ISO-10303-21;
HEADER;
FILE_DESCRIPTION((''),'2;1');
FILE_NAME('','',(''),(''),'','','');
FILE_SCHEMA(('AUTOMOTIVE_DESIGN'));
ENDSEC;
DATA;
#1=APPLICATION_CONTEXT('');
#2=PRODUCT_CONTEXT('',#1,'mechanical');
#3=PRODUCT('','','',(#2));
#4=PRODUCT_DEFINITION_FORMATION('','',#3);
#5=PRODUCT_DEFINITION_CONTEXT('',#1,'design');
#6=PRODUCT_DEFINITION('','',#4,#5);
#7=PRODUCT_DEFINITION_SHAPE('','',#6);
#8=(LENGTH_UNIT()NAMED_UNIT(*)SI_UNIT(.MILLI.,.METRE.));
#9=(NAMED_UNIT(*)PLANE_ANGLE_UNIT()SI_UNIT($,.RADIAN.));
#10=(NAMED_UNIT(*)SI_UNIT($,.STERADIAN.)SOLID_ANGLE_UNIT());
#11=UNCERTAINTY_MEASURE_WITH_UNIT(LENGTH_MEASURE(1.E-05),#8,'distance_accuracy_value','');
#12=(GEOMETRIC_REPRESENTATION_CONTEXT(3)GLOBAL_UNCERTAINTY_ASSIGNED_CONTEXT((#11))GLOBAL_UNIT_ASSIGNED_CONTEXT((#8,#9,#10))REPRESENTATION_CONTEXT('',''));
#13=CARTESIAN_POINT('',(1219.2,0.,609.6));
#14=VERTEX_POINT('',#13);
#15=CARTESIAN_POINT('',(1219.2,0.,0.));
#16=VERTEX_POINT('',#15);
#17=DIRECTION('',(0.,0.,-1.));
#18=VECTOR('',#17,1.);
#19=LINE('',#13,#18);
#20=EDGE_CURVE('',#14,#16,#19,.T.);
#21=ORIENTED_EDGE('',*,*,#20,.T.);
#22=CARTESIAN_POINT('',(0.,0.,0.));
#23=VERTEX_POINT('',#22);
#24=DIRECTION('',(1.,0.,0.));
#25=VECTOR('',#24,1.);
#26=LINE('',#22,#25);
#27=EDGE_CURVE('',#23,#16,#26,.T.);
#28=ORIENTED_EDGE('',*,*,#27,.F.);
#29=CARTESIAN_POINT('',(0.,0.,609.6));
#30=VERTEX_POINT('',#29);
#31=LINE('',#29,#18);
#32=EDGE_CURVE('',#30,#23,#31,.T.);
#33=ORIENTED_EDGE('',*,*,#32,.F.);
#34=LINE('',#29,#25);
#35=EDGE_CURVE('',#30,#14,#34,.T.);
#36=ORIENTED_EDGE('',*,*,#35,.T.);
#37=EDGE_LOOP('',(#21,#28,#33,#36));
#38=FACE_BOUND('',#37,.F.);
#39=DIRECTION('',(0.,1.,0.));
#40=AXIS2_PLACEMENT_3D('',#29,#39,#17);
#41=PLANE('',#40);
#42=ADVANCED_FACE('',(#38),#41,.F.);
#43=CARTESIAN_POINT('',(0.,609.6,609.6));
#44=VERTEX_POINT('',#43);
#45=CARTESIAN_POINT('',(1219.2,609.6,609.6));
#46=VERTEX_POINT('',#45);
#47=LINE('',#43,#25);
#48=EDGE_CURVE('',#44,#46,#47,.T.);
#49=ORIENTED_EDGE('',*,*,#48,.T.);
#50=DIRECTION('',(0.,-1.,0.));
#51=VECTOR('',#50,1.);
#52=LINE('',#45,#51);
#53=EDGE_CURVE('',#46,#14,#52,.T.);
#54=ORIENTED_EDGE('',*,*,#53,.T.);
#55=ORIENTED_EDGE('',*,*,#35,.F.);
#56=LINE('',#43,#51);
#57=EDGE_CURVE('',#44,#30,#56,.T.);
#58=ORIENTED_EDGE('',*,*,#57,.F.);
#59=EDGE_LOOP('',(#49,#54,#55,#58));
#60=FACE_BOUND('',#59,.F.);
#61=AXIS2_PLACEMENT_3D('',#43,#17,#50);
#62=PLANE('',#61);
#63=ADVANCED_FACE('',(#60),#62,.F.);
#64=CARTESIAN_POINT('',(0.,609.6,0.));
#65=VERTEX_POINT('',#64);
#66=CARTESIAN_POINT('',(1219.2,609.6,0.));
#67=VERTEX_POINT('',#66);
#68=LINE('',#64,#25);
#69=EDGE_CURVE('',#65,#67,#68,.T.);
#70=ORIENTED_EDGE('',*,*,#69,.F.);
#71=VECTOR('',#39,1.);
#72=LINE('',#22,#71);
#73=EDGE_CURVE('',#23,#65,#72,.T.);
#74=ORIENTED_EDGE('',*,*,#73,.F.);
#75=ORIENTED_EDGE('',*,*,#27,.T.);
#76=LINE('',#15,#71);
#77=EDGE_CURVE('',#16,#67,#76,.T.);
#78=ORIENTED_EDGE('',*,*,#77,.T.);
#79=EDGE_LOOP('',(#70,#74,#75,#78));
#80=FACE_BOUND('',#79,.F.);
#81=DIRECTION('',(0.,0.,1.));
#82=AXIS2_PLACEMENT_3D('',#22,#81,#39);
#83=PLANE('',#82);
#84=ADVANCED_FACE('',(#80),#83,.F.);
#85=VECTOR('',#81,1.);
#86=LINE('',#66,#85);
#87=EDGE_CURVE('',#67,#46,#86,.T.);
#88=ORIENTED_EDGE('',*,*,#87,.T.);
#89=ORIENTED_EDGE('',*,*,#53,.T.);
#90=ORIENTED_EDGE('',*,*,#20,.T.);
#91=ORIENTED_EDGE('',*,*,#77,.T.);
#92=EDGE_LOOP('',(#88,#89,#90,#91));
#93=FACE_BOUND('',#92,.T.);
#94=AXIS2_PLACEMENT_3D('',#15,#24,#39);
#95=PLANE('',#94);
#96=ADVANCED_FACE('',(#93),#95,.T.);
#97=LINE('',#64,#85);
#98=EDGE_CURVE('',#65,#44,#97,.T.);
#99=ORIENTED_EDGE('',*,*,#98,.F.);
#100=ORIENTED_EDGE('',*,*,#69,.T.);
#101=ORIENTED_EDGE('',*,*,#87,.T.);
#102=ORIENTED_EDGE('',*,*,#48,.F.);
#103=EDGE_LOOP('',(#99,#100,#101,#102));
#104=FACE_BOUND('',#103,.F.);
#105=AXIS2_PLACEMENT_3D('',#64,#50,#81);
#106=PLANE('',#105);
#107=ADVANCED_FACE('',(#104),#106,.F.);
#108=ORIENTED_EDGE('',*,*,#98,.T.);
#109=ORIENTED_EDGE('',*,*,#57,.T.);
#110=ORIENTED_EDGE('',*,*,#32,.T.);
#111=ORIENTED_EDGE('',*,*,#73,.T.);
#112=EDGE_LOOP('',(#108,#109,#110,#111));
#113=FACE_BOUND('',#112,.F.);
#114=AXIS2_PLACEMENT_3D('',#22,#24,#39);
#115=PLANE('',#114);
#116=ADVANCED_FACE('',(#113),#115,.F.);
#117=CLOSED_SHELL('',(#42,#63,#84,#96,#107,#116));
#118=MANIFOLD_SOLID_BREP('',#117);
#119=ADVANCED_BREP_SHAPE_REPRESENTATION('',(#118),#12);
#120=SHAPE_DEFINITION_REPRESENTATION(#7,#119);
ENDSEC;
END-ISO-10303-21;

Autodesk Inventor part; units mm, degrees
ref_plane "YZ Plane" through (0, 0, 0) normal (1, 0, 0) x (0, 1, 0)
ref_plane "XZ Plane" through (0, 0, 0) normal (0, 1, 0) x (-1, 0, 0)
ref_plane "XY Plane" through (0, 0, 0) normal (0, 0, 1) x (1, 0, 0)
sketch "Sketch1" plane through (0, 0, 0) normal (1, 0, 0) x (0, 1, 0)
  line L0 (0, 0) -> (609.6, 0)
  line L1 (609.6, 0) -> (609.6, 609.6)
  line L2 (609.6, 609.6) -> (0, 609.6)
  line L3 (0, 609.6) -> (0, 0)
  dimension "d0" = 609.6
  dimension "d1" = 609.6
extrude "Extrusion1" add sketch "Sketch1" along normal blind 1219.2
properties part number "Block-typ" material "Granite, Cut, Polished"
